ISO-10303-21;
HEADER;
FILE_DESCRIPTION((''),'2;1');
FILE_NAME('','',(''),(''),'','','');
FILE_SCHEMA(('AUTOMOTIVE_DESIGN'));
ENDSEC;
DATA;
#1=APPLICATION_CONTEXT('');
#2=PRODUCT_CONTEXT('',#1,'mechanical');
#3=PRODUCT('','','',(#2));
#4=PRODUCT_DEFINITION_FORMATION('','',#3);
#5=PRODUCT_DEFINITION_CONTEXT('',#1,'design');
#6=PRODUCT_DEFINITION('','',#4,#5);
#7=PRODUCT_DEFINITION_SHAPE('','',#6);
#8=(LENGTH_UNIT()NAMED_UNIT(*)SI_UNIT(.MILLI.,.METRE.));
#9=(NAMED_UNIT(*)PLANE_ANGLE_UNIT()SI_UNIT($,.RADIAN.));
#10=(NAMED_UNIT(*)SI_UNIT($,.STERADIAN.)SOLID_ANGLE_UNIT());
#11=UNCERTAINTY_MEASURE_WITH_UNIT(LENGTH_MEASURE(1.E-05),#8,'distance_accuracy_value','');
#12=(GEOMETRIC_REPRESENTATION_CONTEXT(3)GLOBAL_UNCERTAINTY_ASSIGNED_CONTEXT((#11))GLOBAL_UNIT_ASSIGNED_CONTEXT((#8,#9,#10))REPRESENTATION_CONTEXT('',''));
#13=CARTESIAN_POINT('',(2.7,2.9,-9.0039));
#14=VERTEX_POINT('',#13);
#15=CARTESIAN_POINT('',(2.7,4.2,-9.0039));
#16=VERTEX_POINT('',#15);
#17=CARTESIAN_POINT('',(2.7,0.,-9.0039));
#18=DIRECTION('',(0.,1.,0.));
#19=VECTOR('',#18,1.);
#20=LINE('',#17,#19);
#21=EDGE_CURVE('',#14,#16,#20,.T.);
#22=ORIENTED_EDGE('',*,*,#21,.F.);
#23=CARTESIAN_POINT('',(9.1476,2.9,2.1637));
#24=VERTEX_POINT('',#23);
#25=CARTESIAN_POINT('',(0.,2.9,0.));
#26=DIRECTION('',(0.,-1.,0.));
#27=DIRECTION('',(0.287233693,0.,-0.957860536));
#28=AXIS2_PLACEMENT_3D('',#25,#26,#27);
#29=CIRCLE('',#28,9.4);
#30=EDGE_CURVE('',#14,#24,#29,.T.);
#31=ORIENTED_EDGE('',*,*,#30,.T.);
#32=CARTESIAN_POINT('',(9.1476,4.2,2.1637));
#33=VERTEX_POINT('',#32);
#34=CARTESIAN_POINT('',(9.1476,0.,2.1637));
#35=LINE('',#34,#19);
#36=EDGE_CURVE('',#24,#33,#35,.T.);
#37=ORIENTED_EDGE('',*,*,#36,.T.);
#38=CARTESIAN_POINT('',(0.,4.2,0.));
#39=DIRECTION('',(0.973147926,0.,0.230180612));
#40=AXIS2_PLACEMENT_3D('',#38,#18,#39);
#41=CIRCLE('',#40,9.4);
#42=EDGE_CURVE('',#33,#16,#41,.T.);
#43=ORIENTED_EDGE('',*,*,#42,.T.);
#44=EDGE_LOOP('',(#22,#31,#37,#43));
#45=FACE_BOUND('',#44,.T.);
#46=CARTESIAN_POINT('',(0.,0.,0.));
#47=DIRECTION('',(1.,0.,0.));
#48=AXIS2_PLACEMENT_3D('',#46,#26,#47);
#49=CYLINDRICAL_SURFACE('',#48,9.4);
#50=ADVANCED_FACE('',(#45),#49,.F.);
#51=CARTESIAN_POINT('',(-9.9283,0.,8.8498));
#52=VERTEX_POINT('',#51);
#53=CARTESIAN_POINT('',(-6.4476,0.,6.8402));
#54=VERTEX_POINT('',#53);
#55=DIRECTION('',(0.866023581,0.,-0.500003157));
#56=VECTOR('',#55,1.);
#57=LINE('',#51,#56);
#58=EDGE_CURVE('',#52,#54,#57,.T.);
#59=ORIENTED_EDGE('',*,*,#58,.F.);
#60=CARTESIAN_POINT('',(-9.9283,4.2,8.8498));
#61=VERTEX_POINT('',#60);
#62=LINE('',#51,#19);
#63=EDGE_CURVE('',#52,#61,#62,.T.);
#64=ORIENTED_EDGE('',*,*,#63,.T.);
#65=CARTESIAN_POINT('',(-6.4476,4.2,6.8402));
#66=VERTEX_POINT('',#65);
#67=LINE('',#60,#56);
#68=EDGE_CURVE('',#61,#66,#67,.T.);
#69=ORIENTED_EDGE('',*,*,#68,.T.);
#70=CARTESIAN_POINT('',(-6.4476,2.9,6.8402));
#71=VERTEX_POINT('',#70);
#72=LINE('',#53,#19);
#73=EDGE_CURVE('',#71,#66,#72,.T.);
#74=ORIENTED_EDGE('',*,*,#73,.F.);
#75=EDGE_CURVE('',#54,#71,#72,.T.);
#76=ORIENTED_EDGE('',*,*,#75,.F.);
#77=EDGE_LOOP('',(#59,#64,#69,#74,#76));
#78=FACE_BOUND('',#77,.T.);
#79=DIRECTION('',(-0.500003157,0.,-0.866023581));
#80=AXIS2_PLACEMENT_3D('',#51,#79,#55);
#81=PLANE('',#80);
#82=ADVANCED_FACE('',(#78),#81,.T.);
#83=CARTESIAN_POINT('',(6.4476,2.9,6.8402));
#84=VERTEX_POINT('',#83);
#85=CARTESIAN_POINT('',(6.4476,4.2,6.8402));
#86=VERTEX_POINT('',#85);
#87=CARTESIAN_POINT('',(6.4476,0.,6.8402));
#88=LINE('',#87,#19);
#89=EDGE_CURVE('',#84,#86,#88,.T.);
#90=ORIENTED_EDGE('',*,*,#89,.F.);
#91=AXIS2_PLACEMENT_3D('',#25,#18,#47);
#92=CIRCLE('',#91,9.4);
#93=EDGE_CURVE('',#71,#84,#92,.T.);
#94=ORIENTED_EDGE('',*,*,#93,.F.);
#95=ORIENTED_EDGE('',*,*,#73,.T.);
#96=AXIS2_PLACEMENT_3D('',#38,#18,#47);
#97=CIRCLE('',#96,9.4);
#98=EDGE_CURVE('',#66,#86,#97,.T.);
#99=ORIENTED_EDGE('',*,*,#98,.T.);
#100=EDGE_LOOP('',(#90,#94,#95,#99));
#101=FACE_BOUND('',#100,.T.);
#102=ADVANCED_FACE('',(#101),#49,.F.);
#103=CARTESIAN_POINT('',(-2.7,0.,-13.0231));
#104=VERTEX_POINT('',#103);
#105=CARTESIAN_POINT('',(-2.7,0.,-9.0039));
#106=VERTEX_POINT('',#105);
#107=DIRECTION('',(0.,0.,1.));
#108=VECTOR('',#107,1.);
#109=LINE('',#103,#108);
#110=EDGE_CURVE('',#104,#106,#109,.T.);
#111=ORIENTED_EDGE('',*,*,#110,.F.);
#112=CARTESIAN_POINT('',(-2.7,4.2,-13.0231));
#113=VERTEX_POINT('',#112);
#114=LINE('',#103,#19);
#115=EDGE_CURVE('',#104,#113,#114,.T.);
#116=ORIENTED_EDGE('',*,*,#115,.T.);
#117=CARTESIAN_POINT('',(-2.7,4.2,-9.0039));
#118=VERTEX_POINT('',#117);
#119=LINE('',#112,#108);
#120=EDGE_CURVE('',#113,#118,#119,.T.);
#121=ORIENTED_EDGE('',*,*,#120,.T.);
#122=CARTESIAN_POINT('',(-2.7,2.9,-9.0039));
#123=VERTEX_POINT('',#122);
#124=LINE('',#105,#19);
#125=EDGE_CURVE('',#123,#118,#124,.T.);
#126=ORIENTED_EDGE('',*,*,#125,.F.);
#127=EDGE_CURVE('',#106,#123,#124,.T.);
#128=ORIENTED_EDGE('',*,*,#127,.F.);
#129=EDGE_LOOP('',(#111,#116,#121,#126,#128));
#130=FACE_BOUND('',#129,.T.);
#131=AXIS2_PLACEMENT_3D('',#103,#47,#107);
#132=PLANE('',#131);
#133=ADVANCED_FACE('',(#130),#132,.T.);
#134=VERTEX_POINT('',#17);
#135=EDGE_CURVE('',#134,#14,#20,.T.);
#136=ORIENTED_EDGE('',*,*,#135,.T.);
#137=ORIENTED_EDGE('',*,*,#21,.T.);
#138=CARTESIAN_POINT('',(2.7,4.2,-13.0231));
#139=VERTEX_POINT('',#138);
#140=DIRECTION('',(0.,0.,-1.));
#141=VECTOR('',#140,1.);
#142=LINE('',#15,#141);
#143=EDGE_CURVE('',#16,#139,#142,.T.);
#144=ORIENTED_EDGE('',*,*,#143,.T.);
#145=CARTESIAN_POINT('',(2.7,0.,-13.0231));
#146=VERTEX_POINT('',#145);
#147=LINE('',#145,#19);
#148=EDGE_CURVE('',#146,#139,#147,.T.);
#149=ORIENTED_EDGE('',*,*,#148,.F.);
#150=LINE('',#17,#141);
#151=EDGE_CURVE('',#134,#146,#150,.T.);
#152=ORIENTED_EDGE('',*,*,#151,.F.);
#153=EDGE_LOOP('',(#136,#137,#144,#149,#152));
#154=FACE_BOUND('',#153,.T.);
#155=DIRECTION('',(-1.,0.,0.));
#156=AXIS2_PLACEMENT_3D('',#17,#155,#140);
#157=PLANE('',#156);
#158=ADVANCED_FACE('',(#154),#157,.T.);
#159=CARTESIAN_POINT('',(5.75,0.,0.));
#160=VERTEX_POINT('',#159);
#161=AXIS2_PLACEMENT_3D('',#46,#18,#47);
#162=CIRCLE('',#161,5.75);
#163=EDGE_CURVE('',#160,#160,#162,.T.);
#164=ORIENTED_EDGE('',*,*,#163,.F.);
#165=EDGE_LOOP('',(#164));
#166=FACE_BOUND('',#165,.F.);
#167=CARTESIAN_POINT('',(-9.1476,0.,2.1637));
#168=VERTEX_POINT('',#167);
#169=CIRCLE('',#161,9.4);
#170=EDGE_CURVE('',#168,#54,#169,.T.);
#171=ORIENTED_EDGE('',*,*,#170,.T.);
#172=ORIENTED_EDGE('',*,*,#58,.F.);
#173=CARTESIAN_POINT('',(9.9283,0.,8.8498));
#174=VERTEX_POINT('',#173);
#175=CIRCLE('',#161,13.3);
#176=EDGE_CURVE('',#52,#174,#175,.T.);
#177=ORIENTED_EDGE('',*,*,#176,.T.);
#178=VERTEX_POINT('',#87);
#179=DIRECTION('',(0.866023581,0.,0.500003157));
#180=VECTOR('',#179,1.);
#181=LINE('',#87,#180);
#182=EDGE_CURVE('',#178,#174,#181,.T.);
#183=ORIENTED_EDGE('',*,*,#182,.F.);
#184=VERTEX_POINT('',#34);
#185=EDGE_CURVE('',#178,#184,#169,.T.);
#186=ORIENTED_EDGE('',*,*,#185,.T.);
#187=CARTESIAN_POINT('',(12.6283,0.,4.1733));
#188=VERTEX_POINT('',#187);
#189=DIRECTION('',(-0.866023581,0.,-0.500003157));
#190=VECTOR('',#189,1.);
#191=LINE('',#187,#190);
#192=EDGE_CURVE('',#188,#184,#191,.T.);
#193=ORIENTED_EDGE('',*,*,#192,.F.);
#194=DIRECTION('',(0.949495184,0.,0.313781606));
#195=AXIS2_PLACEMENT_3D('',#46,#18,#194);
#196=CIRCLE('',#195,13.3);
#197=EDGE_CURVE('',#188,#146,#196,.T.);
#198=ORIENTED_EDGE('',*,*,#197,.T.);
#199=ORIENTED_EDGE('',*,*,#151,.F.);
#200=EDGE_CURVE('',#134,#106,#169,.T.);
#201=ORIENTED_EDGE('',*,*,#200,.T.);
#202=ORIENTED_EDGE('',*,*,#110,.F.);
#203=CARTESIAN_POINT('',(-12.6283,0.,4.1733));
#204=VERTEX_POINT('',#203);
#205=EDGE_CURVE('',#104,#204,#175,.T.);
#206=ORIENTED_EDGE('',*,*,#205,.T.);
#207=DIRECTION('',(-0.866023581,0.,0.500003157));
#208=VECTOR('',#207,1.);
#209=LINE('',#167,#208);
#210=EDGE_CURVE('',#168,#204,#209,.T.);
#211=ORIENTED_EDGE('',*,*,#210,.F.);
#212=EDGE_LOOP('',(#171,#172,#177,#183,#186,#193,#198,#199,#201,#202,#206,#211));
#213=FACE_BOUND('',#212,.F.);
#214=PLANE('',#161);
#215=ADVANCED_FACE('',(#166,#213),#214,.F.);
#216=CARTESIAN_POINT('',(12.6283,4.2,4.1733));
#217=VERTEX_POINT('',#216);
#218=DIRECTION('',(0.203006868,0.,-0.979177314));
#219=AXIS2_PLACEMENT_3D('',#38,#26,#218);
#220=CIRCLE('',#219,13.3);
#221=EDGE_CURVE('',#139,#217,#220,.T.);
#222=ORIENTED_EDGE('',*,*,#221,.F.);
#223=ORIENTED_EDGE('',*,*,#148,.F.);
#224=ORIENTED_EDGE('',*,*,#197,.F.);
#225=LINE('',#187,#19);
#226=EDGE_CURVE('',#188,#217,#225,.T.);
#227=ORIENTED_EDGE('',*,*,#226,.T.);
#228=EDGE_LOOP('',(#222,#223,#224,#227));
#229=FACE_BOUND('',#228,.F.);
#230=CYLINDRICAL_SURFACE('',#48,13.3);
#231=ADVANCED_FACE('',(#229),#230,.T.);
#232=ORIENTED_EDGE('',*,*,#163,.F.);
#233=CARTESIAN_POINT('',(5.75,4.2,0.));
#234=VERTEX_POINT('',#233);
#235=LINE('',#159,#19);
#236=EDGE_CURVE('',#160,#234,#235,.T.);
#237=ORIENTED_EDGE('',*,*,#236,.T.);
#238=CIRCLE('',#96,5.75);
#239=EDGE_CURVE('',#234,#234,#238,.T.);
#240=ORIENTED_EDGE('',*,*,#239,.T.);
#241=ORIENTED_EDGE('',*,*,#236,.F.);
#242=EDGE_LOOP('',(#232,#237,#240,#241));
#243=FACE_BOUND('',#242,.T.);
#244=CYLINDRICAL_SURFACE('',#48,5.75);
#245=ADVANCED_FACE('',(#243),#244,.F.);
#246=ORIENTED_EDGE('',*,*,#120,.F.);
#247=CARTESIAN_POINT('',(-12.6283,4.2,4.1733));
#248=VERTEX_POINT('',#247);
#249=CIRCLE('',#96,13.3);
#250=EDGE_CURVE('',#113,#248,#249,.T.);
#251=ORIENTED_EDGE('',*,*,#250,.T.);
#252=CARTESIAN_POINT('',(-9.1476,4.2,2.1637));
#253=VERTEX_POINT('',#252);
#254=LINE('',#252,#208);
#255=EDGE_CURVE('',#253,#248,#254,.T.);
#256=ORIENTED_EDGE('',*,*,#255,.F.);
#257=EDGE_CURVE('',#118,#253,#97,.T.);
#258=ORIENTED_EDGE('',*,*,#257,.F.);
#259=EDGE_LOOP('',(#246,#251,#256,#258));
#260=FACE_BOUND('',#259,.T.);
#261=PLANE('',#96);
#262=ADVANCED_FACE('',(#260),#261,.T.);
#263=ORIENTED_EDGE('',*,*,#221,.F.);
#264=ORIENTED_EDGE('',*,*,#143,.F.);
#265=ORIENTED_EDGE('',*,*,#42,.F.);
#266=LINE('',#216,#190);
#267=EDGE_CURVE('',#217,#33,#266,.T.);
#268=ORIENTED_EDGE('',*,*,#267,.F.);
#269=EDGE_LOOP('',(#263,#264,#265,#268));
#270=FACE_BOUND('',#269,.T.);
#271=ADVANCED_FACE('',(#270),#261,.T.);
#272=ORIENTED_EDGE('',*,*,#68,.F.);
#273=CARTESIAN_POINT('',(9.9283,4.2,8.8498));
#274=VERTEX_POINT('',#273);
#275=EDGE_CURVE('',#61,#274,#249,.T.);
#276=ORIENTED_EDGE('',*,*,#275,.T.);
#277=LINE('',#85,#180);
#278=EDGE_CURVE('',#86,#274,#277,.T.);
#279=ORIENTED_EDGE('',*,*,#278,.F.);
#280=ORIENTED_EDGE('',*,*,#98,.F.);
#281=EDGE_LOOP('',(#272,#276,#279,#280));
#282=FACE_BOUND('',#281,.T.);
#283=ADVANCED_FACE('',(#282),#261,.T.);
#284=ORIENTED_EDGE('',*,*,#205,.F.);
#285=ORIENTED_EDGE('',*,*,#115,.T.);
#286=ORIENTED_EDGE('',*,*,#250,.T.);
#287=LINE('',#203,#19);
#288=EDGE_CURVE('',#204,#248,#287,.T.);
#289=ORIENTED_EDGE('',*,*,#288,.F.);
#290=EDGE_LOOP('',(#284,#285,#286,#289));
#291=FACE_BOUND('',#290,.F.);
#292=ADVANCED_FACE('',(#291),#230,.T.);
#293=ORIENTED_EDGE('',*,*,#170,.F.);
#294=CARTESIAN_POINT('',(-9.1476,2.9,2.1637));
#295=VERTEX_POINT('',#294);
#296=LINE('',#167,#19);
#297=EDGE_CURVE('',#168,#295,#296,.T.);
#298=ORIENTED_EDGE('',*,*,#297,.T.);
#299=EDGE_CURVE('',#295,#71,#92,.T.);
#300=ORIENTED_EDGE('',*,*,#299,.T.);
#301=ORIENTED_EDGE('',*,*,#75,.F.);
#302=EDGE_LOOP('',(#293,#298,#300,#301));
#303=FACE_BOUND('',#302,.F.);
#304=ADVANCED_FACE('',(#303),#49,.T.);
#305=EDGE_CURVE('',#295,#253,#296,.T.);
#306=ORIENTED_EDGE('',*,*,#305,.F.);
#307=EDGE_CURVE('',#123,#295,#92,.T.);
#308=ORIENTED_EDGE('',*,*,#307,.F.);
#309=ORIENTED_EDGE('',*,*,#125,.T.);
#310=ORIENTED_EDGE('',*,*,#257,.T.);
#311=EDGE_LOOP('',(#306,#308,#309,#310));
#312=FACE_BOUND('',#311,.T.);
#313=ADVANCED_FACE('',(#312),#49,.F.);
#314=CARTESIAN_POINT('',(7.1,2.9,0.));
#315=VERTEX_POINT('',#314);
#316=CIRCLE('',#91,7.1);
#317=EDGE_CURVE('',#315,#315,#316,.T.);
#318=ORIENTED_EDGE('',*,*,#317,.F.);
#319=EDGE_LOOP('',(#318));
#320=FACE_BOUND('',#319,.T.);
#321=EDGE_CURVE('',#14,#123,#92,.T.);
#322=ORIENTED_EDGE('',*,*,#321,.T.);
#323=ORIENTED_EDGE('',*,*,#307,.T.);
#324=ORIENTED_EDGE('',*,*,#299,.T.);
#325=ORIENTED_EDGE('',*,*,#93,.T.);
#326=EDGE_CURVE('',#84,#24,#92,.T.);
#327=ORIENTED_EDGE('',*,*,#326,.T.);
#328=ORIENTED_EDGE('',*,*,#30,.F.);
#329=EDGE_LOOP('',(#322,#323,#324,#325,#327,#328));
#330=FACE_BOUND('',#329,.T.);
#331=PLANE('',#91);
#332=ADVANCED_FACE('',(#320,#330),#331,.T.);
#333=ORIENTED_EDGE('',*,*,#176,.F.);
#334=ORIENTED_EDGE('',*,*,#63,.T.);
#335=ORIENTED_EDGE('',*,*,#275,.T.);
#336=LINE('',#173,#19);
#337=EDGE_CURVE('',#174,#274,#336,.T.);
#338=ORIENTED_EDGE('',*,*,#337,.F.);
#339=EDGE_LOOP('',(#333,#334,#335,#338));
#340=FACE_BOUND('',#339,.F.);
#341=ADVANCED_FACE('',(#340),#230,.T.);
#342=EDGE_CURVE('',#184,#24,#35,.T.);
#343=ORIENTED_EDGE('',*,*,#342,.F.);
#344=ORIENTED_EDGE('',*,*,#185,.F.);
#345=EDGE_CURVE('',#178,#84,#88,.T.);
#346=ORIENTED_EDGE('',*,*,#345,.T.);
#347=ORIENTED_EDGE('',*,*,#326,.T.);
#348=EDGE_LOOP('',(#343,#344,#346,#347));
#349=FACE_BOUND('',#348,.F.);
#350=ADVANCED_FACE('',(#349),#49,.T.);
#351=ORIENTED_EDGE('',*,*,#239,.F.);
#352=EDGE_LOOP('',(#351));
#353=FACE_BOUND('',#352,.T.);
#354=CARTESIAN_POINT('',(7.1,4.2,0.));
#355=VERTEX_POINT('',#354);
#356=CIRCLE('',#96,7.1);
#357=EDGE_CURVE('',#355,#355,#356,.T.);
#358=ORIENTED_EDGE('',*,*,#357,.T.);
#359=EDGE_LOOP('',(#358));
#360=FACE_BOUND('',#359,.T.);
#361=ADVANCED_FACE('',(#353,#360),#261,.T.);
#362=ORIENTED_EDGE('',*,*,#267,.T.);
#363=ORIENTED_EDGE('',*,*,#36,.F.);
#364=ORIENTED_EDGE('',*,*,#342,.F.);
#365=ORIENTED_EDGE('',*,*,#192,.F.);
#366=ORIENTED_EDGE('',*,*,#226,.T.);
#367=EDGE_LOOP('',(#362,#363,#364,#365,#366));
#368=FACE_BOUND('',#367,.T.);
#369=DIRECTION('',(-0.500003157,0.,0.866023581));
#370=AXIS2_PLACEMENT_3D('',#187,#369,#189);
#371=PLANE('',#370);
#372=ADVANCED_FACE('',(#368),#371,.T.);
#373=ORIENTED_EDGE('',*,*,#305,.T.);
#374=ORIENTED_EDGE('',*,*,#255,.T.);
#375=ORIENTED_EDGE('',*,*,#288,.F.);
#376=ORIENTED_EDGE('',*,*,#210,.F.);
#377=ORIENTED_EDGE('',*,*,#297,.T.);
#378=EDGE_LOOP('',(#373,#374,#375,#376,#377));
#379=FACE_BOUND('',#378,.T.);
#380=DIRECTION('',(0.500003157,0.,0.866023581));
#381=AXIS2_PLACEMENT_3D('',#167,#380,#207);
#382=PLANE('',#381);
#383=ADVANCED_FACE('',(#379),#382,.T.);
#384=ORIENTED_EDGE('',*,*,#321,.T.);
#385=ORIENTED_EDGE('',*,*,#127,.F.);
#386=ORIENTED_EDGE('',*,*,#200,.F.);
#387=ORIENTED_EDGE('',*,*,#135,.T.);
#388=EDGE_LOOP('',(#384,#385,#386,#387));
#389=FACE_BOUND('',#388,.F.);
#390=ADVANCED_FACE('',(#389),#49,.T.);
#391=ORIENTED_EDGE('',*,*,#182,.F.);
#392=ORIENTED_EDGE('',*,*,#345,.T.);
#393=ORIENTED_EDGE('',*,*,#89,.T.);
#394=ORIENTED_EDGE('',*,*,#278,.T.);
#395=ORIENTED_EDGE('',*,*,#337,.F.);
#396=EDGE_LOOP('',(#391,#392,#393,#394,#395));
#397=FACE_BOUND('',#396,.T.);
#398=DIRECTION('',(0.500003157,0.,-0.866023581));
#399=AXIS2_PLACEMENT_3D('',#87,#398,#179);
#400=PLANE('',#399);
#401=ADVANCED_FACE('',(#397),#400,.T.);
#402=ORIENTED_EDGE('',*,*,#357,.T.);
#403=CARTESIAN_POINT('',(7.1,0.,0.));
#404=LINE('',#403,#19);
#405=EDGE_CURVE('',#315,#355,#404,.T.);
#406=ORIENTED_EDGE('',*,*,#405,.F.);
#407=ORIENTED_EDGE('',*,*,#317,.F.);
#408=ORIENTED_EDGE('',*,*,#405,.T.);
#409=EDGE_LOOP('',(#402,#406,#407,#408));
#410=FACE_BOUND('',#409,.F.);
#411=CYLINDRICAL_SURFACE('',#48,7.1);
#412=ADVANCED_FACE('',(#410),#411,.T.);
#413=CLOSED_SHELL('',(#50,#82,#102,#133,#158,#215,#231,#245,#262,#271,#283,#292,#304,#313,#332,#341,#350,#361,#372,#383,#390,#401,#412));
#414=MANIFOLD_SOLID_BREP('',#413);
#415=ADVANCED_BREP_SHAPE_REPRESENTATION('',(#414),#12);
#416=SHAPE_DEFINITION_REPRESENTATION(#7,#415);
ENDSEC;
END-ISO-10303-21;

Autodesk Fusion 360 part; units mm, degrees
sketch "Esboço1" plane through (0, 0, 0) normal (0, 1, 0) x (1, 0, 0)
  circle A0 centre (0, 0) radius 13.3
  circle A1 centre (0, 0) radius 9.4
  circle A2 centre (0, 0) radius 7.1
  circle A3 centre (0, 0) radius 5.75
  line L0 (-2.7, 13.0231) -> (-2.7, 9.0039)
  line L1 (2.7, 9.0039) -> (2.7, 13.0231)
  line L2 (0, 0) -> (0, 16.7513) construction
  line L3 (-9.9283, -8.8498) -> (-6.4476, -6.8402)
  line L4 (-9.1476, -2.1637) -> (-12.6283, -4.1733)
  line L5 (12.6283, -4.1733) -> (9.1476, -2.1637)
  line L6 (6.4476, -6.8402) -> (9.9283, -8.8498)
  dimension "d1" = 11.5
  dimension "d2" = 14.2
  dimension "d3" = 18.8
  dimension "d4" = 26.6
  dimension "d5" = 5.4
  dimension "d6" = 2.7
  dimension "d8" = 360
extrude "Extrusão1" add sketch "Esboço1" along normal blind 4.2 contours A0 A1 L1 L5 | A0 A1 L0 L4 | A0 A1 L3 L6 | A2 makes body 1 at (12.9632, 2.8, 2.9742) makes body 2 at (7.0647, 1.4, 0.7069) makes body 3 at (6.551, 2.8, 11.5747) makes body 4 at (-12.8098, 2.8, 3.5776)
extrude "Extrusão2" add sketch "Esboço1" along normal blind 2.9 contours A1 bodies 1 2 3 4
